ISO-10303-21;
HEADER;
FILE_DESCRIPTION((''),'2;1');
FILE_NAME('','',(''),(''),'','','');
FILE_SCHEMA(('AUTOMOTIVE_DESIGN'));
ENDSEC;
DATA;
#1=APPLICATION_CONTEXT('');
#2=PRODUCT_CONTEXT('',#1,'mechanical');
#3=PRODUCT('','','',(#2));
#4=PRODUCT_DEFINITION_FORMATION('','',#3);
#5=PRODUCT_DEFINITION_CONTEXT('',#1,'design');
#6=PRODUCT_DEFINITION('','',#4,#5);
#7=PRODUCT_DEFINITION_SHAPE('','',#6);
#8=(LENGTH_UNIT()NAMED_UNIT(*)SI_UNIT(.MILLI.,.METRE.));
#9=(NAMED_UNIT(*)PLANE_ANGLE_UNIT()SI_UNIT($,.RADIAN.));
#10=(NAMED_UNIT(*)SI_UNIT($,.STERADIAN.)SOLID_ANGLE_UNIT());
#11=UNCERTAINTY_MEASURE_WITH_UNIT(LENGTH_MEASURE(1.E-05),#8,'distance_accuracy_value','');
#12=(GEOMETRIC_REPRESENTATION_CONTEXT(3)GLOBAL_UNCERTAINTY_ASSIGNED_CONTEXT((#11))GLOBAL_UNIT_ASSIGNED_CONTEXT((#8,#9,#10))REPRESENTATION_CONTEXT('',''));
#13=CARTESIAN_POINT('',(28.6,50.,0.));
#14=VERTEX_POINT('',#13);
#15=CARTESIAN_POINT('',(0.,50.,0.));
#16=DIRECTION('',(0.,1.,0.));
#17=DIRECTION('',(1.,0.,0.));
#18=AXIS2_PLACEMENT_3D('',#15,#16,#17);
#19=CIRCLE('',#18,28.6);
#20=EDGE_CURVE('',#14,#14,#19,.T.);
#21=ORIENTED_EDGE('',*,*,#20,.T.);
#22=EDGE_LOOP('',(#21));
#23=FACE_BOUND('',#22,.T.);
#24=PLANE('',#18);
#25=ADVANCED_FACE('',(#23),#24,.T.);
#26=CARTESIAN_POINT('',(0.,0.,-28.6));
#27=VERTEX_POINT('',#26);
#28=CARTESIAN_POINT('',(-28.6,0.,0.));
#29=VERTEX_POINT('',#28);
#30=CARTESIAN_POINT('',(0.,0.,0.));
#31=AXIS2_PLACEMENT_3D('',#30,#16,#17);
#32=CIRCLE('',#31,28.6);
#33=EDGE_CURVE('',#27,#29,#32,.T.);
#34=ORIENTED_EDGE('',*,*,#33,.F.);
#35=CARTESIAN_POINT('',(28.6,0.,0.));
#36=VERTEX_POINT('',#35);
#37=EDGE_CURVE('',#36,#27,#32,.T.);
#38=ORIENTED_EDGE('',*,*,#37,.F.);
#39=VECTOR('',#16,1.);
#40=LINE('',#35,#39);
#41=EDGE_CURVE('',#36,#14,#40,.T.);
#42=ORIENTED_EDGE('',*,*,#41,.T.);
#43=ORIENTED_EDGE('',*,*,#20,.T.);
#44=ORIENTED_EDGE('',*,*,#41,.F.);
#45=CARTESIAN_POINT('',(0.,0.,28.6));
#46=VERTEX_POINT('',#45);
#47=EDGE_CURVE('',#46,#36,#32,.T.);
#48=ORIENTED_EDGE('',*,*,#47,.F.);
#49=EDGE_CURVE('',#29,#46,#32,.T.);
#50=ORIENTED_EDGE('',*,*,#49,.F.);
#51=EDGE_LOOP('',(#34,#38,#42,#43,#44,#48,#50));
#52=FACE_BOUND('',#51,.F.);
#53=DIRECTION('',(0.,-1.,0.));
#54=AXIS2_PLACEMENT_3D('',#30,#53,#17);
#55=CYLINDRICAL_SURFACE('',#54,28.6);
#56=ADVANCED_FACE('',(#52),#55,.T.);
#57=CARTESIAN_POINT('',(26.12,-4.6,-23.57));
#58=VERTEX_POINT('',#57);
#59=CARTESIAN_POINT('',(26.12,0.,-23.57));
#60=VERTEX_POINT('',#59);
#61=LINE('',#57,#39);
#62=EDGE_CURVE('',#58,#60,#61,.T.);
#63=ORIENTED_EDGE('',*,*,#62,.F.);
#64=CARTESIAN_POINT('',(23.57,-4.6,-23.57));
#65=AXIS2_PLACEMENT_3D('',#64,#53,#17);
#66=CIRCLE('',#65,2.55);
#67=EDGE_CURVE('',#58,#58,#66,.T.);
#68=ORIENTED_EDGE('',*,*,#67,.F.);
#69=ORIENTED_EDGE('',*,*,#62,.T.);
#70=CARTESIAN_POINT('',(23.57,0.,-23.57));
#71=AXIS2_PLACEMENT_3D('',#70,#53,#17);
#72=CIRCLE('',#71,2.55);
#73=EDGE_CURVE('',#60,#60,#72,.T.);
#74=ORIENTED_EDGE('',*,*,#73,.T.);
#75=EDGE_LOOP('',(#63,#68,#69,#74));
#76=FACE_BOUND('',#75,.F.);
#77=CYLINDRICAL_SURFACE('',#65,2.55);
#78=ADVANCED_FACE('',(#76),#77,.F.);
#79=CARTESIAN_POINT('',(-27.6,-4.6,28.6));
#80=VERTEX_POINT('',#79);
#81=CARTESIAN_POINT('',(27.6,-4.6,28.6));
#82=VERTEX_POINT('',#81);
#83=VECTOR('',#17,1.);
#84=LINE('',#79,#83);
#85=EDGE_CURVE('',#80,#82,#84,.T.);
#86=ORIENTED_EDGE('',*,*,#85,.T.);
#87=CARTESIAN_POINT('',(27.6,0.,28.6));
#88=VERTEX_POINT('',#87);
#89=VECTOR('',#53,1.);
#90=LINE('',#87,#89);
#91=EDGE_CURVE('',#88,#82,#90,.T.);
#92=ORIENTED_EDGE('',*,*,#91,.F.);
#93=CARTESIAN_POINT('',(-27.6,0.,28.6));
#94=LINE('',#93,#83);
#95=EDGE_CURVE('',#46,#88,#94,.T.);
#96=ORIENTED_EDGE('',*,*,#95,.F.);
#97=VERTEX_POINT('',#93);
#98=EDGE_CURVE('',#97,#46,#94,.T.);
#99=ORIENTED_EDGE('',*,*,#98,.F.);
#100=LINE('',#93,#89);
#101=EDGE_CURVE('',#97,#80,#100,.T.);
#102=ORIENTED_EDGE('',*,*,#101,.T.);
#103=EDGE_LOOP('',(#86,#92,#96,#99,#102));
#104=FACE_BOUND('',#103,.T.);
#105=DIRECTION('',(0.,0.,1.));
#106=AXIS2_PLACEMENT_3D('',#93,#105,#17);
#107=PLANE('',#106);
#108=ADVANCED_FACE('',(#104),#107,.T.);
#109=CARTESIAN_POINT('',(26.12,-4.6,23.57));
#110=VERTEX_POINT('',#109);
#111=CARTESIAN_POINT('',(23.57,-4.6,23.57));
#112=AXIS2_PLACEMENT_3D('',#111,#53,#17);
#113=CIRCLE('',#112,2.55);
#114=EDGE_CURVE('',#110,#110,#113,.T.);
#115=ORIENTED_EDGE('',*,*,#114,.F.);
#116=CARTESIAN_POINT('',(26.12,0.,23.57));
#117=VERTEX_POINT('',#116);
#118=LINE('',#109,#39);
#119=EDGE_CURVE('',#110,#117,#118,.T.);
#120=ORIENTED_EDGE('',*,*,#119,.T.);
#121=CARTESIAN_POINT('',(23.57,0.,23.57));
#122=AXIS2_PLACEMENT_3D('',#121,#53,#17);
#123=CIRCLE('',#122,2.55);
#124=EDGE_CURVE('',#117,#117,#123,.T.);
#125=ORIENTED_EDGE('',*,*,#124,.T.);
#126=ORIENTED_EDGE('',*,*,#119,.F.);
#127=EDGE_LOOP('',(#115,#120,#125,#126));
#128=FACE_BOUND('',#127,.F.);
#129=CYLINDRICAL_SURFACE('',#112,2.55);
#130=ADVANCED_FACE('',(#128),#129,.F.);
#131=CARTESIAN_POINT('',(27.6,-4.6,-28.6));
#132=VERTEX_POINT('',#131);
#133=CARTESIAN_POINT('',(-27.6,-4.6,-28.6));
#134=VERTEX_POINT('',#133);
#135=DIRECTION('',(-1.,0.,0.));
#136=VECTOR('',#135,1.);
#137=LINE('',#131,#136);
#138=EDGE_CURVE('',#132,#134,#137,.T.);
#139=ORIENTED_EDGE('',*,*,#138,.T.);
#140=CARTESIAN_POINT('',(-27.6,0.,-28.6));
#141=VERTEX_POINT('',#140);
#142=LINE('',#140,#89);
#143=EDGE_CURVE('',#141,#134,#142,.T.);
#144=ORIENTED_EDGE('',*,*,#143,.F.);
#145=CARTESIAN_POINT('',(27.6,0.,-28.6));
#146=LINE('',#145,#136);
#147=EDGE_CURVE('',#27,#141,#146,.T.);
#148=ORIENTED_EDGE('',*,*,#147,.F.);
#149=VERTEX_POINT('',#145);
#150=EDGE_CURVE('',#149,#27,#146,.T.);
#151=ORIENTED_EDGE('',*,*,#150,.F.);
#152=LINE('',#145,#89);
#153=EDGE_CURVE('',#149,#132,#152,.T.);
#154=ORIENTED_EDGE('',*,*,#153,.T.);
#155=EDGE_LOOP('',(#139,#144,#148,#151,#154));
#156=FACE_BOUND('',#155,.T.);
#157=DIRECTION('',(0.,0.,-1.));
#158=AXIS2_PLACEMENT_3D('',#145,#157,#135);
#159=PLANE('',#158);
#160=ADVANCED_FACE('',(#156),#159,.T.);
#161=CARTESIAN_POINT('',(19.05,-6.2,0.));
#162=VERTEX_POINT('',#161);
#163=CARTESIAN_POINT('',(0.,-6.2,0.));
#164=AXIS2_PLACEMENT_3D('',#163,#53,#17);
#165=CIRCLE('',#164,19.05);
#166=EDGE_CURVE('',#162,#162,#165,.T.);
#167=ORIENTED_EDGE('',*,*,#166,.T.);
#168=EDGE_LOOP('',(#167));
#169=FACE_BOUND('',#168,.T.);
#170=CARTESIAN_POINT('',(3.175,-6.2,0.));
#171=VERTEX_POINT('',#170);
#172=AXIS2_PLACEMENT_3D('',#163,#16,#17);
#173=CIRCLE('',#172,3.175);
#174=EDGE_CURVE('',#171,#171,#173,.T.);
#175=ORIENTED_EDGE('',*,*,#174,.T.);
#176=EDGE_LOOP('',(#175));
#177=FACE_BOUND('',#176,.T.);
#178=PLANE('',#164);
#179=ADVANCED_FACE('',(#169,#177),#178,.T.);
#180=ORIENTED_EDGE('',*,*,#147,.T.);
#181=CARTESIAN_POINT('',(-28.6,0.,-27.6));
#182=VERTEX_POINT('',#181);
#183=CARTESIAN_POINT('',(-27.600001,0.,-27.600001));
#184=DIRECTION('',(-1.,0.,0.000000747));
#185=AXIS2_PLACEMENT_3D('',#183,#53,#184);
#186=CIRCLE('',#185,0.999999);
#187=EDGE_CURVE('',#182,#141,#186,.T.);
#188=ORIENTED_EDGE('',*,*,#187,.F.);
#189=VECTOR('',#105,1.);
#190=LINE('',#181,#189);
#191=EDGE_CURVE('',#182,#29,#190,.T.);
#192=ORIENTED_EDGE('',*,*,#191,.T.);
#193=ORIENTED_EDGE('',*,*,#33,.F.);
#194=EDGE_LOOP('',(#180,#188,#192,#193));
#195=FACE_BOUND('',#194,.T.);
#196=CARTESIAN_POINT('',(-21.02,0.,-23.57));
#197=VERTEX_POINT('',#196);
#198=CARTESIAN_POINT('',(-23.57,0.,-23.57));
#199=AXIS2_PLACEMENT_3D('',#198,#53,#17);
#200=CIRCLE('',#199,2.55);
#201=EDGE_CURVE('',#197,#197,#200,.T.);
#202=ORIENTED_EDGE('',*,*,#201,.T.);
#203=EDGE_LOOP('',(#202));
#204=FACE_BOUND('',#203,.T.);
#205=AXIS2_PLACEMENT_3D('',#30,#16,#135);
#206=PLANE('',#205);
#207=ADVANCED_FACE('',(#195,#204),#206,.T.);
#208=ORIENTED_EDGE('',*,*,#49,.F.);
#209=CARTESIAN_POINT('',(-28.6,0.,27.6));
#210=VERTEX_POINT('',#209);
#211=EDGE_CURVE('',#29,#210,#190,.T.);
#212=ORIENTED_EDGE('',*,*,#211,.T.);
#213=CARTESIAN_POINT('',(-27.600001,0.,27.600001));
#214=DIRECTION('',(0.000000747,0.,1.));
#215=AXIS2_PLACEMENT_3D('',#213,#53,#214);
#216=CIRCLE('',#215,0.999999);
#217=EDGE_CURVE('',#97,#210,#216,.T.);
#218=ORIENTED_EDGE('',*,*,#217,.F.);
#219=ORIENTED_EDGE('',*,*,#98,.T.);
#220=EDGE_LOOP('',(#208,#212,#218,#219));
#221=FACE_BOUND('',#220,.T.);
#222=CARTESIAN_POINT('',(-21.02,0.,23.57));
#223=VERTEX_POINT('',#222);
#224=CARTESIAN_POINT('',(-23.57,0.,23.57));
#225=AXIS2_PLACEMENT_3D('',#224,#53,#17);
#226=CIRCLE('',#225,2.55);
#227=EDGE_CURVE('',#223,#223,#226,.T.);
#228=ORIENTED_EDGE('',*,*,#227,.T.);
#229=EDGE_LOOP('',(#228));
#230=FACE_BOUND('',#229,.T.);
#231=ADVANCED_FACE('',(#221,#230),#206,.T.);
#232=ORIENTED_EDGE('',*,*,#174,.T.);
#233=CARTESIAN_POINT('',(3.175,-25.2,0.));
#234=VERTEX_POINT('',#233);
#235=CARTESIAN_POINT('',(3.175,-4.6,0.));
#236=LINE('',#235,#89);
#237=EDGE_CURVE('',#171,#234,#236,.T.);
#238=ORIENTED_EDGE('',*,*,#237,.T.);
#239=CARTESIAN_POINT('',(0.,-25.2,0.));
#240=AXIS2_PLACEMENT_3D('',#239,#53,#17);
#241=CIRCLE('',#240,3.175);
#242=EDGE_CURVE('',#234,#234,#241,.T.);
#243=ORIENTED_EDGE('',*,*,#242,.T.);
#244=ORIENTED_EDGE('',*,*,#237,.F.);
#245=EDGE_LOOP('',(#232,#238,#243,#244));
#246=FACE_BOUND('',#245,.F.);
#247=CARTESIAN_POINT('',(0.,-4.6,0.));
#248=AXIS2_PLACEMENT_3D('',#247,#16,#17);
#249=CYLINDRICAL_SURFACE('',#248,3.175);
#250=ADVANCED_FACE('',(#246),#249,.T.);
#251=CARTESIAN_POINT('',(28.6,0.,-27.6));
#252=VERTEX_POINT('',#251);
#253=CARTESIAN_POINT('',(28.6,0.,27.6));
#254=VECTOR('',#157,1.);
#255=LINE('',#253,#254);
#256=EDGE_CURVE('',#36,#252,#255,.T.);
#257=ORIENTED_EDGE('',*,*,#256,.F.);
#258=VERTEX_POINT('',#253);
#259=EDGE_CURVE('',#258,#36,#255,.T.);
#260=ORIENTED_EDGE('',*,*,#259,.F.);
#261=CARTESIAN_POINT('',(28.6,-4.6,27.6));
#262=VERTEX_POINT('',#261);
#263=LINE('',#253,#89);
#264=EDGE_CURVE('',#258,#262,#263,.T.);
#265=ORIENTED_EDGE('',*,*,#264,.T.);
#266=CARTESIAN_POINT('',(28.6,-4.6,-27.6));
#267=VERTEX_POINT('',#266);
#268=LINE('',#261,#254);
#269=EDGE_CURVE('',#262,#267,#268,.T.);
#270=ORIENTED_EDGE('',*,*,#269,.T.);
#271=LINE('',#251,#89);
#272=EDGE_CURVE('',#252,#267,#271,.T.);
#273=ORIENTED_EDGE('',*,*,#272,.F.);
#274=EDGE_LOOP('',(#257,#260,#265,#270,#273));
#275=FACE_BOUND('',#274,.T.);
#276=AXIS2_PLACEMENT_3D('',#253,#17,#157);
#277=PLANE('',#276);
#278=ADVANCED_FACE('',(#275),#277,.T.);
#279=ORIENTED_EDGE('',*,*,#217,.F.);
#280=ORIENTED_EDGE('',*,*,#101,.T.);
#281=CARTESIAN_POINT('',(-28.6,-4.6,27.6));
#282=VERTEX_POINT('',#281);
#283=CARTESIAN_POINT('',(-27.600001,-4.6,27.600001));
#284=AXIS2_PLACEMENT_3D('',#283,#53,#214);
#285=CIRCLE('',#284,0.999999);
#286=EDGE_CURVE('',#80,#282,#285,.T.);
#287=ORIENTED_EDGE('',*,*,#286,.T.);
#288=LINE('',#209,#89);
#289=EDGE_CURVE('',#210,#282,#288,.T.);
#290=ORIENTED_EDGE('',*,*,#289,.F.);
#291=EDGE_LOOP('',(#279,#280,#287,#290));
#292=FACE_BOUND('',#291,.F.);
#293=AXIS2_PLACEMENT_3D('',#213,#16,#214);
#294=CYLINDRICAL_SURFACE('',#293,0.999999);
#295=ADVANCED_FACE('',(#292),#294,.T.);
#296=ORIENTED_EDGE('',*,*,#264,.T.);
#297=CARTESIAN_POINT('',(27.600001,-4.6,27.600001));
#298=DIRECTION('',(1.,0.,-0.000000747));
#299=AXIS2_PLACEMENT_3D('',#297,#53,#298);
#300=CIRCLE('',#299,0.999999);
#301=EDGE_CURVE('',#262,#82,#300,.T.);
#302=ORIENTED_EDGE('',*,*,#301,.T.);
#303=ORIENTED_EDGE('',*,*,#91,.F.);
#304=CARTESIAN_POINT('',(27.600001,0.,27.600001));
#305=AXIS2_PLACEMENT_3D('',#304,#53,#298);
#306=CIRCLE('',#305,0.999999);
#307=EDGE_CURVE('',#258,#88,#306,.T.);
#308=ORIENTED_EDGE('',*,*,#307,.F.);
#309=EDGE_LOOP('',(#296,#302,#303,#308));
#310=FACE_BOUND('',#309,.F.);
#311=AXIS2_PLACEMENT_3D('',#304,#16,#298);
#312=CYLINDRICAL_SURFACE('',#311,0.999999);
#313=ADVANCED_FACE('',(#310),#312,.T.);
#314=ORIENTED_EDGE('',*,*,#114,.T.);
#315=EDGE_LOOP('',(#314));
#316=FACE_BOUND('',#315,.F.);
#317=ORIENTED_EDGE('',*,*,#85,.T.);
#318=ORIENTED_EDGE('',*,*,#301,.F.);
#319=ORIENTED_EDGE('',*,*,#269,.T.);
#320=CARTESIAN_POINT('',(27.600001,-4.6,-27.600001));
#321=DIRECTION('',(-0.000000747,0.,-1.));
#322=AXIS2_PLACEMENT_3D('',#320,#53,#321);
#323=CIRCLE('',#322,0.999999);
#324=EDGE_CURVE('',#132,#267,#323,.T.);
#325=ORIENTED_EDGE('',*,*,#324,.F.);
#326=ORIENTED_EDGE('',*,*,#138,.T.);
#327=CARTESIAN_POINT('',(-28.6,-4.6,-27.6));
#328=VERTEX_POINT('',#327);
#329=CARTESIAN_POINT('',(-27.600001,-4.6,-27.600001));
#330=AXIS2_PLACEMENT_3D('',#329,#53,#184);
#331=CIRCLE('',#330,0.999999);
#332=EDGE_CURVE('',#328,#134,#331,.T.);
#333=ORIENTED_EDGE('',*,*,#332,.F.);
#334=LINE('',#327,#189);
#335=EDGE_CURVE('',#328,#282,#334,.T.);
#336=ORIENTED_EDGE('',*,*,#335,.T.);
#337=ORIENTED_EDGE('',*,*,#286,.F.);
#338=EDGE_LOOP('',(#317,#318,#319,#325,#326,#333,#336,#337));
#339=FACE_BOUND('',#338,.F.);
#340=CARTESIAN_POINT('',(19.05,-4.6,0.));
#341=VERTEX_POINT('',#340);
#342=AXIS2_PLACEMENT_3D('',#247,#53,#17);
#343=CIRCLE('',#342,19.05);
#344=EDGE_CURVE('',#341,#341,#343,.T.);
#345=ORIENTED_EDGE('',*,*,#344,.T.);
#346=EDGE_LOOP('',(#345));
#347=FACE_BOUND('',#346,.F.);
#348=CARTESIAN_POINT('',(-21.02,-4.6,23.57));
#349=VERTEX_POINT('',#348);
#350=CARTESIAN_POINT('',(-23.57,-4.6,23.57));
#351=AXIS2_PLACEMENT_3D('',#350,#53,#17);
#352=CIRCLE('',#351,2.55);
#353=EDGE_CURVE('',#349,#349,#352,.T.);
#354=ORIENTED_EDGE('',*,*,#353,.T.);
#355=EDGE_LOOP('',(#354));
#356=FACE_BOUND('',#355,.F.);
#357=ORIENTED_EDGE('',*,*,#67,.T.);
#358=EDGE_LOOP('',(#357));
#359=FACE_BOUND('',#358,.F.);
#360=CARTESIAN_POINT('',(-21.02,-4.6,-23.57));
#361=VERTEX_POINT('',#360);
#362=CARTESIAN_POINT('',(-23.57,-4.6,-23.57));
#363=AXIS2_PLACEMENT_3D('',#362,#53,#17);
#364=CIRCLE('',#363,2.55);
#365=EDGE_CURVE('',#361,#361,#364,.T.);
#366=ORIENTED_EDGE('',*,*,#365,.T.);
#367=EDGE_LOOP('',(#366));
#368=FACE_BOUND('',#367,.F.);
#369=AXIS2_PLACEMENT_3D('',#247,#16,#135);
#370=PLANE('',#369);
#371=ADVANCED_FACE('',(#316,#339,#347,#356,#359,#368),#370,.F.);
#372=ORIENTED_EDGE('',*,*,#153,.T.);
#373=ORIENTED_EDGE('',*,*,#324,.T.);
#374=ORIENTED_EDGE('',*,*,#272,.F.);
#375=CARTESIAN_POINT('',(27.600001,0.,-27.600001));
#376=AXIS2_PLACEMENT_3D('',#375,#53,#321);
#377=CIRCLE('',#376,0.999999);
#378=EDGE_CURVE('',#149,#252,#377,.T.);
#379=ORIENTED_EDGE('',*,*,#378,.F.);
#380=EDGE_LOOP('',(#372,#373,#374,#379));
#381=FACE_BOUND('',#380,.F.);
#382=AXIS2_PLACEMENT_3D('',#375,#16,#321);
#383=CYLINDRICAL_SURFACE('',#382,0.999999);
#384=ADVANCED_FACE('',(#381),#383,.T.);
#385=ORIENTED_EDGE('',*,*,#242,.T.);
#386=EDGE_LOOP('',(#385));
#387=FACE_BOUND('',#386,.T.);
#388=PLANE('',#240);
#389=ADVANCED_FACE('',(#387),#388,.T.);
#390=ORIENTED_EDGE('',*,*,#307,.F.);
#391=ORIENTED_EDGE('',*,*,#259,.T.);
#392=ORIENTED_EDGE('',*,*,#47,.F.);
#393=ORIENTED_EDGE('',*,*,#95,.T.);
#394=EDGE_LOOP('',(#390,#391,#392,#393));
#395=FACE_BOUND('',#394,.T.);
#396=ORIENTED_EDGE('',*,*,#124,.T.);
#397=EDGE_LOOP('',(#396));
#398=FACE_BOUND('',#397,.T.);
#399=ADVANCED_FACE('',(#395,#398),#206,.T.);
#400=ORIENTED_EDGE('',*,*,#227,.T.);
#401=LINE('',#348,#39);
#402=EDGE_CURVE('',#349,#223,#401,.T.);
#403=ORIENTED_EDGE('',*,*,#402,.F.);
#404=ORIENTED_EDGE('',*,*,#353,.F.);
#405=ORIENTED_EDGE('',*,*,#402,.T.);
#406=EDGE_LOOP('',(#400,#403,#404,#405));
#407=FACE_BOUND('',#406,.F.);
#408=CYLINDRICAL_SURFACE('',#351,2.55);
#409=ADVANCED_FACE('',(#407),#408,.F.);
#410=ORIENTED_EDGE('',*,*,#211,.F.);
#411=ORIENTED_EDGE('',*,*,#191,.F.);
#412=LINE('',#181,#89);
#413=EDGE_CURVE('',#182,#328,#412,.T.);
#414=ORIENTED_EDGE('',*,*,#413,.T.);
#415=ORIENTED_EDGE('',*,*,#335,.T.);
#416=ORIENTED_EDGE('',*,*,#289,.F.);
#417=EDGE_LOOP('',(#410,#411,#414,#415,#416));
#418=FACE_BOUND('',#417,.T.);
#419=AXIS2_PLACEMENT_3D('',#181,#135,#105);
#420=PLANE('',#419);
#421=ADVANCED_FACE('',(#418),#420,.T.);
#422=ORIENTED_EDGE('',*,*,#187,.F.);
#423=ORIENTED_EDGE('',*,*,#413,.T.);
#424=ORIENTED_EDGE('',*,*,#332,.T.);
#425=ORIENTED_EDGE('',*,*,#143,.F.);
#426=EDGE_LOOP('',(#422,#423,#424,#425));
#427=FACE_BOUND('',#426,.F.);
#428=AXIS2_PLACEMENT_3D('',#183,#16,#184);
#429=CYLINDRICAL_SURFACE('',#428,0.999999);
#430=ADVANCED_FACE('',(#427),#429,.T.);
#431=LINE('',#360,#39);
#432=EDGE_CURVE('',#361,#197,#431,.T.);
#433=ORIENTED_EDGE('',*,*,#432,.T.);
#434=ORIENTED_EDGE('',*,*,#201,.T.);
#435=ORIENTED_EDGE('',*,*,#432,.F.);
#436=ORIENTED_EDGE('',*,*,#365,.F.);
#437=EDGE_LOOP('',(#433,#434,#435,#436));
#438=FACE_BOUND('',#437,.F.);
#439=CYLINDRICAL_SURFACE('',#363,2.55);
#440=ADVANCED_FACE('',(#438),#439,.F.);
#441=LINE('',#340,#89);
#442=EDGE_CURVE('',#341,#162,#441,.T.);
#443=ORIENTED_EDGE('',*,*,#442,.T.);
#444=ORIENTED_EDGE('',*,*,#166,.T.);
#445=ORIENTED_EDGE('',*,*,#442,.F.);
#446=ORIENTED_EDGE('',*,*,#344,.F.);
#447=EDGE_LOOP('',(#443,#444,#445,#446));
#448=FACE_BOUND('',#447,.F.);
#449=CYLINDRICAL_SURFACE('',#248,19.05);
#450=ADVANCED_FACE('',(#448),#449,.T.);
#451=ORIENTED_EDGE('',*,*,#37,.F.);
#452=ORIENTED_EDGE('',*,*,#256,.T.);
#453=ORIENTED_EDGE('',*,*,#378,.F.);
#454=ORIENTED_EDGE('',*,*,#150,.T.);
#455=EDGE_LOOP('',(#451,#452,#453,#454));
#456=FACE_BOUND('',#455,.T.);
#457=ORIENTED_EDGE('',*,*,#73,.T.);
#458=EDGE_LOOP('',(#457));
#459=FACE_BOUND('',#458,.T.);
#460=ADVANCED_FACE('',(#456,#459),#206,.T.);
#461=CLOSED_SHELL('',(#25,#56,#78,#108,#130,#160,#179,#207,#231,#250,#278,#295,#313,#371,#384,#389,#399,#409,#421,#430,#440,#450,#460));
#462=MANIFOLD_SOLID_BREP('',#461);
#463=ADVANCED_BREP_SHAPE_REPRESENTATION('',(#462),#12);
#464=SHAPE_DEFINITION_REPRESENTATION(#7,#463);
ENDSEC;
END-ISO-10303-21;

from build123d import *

# Parameters (mm, degrees)
PAD_DEPTH    = 4.6
SKETCH001_R  = 2.55
POCKET_DEPTH = 4.601
SKETCH002_R  = 19.05
PAD001_DEPTH = 1.6
SKETCH003_R  = 3.175
PAD002_DEPTH = 20.6
SKETCH004_R  = 28.6
PAD003_DEPTH = 50


with BuildPart() as part:
    # Sketch → Pad (new body)
    with BuildSketch(Plane.XZ):
        with BuildLine():
            Line((-27.6, 28.6), (27.6, 28.6))
            ThreePointArc((28.6, 27.6), (28.307107, 28.307107), (27.6, 28.6))
            Line((28.6, 27.6), (28.6, -27.6))
            ThreePointArc((27.6, -28.6), (28.307107, -28.307107), (28.6, -27.6))
            Line((27.6, -28.6), (-27.6, -28.6))
            ThreePointArc((-28.6, -27.6), (-28.307107, -28.307107), (-27.6, -28.6))
            Line((-28.6, -27.6), (-28.6, 27.6))
            ThreePointArc((-27.6, 28.6), (-28.307107, 28.307107), (-28.6, 27.6))
        make_face()
    extrude(amount=PAD_DEPTH)

    # Sketch001 (on Face10 of Pad) → Pocket (cut, through all)
    with BuildSketch(Plane.XZ.offset(4.6)):
        with Locations((-23.57, 23.57)):
            Circle(SKETCH001_R)
        with Locations((23.57, 23.57)):
            Circle(SKETCH001_R)
        with Locations((-23.57, -23.57)):
            Circle(SKETCH001_R)
        with Locations((23.57, -23.57)):
            Circle(SKETCH001_R)
    extrude(amount=-POCKET_DEPTH, mode=Mode.SUBTRACT)

    # Sketch002 (on Face5 of Pocket) → Pad001 (new body)
    with BuildSketch(Plane.XZ.offset(4.6)):
        Circle(SKETCH002_R)
    extrude(amount=PAD001_DEPTH)

    # Sketch003 (on Face5 of Pad001) → Pad002 (new body)
    with BuildSketch(Plane.XZ.offset(4.6)):
        Circle(SKETCH003_R)
    extrude(amount=PAD002_DEPTH)

    # Sketch004 (on Face4 of Pad002) → Pad003 (new body)
    with BuildSketch(Plane(origin=(0, 0, 0), x_dir=(1, 0, 0), z_dir=(0, 1, 0))):
        Circle(SKETCH004_R)
    extrude(amount=PAD003_DEPTH)


solid = part.part
